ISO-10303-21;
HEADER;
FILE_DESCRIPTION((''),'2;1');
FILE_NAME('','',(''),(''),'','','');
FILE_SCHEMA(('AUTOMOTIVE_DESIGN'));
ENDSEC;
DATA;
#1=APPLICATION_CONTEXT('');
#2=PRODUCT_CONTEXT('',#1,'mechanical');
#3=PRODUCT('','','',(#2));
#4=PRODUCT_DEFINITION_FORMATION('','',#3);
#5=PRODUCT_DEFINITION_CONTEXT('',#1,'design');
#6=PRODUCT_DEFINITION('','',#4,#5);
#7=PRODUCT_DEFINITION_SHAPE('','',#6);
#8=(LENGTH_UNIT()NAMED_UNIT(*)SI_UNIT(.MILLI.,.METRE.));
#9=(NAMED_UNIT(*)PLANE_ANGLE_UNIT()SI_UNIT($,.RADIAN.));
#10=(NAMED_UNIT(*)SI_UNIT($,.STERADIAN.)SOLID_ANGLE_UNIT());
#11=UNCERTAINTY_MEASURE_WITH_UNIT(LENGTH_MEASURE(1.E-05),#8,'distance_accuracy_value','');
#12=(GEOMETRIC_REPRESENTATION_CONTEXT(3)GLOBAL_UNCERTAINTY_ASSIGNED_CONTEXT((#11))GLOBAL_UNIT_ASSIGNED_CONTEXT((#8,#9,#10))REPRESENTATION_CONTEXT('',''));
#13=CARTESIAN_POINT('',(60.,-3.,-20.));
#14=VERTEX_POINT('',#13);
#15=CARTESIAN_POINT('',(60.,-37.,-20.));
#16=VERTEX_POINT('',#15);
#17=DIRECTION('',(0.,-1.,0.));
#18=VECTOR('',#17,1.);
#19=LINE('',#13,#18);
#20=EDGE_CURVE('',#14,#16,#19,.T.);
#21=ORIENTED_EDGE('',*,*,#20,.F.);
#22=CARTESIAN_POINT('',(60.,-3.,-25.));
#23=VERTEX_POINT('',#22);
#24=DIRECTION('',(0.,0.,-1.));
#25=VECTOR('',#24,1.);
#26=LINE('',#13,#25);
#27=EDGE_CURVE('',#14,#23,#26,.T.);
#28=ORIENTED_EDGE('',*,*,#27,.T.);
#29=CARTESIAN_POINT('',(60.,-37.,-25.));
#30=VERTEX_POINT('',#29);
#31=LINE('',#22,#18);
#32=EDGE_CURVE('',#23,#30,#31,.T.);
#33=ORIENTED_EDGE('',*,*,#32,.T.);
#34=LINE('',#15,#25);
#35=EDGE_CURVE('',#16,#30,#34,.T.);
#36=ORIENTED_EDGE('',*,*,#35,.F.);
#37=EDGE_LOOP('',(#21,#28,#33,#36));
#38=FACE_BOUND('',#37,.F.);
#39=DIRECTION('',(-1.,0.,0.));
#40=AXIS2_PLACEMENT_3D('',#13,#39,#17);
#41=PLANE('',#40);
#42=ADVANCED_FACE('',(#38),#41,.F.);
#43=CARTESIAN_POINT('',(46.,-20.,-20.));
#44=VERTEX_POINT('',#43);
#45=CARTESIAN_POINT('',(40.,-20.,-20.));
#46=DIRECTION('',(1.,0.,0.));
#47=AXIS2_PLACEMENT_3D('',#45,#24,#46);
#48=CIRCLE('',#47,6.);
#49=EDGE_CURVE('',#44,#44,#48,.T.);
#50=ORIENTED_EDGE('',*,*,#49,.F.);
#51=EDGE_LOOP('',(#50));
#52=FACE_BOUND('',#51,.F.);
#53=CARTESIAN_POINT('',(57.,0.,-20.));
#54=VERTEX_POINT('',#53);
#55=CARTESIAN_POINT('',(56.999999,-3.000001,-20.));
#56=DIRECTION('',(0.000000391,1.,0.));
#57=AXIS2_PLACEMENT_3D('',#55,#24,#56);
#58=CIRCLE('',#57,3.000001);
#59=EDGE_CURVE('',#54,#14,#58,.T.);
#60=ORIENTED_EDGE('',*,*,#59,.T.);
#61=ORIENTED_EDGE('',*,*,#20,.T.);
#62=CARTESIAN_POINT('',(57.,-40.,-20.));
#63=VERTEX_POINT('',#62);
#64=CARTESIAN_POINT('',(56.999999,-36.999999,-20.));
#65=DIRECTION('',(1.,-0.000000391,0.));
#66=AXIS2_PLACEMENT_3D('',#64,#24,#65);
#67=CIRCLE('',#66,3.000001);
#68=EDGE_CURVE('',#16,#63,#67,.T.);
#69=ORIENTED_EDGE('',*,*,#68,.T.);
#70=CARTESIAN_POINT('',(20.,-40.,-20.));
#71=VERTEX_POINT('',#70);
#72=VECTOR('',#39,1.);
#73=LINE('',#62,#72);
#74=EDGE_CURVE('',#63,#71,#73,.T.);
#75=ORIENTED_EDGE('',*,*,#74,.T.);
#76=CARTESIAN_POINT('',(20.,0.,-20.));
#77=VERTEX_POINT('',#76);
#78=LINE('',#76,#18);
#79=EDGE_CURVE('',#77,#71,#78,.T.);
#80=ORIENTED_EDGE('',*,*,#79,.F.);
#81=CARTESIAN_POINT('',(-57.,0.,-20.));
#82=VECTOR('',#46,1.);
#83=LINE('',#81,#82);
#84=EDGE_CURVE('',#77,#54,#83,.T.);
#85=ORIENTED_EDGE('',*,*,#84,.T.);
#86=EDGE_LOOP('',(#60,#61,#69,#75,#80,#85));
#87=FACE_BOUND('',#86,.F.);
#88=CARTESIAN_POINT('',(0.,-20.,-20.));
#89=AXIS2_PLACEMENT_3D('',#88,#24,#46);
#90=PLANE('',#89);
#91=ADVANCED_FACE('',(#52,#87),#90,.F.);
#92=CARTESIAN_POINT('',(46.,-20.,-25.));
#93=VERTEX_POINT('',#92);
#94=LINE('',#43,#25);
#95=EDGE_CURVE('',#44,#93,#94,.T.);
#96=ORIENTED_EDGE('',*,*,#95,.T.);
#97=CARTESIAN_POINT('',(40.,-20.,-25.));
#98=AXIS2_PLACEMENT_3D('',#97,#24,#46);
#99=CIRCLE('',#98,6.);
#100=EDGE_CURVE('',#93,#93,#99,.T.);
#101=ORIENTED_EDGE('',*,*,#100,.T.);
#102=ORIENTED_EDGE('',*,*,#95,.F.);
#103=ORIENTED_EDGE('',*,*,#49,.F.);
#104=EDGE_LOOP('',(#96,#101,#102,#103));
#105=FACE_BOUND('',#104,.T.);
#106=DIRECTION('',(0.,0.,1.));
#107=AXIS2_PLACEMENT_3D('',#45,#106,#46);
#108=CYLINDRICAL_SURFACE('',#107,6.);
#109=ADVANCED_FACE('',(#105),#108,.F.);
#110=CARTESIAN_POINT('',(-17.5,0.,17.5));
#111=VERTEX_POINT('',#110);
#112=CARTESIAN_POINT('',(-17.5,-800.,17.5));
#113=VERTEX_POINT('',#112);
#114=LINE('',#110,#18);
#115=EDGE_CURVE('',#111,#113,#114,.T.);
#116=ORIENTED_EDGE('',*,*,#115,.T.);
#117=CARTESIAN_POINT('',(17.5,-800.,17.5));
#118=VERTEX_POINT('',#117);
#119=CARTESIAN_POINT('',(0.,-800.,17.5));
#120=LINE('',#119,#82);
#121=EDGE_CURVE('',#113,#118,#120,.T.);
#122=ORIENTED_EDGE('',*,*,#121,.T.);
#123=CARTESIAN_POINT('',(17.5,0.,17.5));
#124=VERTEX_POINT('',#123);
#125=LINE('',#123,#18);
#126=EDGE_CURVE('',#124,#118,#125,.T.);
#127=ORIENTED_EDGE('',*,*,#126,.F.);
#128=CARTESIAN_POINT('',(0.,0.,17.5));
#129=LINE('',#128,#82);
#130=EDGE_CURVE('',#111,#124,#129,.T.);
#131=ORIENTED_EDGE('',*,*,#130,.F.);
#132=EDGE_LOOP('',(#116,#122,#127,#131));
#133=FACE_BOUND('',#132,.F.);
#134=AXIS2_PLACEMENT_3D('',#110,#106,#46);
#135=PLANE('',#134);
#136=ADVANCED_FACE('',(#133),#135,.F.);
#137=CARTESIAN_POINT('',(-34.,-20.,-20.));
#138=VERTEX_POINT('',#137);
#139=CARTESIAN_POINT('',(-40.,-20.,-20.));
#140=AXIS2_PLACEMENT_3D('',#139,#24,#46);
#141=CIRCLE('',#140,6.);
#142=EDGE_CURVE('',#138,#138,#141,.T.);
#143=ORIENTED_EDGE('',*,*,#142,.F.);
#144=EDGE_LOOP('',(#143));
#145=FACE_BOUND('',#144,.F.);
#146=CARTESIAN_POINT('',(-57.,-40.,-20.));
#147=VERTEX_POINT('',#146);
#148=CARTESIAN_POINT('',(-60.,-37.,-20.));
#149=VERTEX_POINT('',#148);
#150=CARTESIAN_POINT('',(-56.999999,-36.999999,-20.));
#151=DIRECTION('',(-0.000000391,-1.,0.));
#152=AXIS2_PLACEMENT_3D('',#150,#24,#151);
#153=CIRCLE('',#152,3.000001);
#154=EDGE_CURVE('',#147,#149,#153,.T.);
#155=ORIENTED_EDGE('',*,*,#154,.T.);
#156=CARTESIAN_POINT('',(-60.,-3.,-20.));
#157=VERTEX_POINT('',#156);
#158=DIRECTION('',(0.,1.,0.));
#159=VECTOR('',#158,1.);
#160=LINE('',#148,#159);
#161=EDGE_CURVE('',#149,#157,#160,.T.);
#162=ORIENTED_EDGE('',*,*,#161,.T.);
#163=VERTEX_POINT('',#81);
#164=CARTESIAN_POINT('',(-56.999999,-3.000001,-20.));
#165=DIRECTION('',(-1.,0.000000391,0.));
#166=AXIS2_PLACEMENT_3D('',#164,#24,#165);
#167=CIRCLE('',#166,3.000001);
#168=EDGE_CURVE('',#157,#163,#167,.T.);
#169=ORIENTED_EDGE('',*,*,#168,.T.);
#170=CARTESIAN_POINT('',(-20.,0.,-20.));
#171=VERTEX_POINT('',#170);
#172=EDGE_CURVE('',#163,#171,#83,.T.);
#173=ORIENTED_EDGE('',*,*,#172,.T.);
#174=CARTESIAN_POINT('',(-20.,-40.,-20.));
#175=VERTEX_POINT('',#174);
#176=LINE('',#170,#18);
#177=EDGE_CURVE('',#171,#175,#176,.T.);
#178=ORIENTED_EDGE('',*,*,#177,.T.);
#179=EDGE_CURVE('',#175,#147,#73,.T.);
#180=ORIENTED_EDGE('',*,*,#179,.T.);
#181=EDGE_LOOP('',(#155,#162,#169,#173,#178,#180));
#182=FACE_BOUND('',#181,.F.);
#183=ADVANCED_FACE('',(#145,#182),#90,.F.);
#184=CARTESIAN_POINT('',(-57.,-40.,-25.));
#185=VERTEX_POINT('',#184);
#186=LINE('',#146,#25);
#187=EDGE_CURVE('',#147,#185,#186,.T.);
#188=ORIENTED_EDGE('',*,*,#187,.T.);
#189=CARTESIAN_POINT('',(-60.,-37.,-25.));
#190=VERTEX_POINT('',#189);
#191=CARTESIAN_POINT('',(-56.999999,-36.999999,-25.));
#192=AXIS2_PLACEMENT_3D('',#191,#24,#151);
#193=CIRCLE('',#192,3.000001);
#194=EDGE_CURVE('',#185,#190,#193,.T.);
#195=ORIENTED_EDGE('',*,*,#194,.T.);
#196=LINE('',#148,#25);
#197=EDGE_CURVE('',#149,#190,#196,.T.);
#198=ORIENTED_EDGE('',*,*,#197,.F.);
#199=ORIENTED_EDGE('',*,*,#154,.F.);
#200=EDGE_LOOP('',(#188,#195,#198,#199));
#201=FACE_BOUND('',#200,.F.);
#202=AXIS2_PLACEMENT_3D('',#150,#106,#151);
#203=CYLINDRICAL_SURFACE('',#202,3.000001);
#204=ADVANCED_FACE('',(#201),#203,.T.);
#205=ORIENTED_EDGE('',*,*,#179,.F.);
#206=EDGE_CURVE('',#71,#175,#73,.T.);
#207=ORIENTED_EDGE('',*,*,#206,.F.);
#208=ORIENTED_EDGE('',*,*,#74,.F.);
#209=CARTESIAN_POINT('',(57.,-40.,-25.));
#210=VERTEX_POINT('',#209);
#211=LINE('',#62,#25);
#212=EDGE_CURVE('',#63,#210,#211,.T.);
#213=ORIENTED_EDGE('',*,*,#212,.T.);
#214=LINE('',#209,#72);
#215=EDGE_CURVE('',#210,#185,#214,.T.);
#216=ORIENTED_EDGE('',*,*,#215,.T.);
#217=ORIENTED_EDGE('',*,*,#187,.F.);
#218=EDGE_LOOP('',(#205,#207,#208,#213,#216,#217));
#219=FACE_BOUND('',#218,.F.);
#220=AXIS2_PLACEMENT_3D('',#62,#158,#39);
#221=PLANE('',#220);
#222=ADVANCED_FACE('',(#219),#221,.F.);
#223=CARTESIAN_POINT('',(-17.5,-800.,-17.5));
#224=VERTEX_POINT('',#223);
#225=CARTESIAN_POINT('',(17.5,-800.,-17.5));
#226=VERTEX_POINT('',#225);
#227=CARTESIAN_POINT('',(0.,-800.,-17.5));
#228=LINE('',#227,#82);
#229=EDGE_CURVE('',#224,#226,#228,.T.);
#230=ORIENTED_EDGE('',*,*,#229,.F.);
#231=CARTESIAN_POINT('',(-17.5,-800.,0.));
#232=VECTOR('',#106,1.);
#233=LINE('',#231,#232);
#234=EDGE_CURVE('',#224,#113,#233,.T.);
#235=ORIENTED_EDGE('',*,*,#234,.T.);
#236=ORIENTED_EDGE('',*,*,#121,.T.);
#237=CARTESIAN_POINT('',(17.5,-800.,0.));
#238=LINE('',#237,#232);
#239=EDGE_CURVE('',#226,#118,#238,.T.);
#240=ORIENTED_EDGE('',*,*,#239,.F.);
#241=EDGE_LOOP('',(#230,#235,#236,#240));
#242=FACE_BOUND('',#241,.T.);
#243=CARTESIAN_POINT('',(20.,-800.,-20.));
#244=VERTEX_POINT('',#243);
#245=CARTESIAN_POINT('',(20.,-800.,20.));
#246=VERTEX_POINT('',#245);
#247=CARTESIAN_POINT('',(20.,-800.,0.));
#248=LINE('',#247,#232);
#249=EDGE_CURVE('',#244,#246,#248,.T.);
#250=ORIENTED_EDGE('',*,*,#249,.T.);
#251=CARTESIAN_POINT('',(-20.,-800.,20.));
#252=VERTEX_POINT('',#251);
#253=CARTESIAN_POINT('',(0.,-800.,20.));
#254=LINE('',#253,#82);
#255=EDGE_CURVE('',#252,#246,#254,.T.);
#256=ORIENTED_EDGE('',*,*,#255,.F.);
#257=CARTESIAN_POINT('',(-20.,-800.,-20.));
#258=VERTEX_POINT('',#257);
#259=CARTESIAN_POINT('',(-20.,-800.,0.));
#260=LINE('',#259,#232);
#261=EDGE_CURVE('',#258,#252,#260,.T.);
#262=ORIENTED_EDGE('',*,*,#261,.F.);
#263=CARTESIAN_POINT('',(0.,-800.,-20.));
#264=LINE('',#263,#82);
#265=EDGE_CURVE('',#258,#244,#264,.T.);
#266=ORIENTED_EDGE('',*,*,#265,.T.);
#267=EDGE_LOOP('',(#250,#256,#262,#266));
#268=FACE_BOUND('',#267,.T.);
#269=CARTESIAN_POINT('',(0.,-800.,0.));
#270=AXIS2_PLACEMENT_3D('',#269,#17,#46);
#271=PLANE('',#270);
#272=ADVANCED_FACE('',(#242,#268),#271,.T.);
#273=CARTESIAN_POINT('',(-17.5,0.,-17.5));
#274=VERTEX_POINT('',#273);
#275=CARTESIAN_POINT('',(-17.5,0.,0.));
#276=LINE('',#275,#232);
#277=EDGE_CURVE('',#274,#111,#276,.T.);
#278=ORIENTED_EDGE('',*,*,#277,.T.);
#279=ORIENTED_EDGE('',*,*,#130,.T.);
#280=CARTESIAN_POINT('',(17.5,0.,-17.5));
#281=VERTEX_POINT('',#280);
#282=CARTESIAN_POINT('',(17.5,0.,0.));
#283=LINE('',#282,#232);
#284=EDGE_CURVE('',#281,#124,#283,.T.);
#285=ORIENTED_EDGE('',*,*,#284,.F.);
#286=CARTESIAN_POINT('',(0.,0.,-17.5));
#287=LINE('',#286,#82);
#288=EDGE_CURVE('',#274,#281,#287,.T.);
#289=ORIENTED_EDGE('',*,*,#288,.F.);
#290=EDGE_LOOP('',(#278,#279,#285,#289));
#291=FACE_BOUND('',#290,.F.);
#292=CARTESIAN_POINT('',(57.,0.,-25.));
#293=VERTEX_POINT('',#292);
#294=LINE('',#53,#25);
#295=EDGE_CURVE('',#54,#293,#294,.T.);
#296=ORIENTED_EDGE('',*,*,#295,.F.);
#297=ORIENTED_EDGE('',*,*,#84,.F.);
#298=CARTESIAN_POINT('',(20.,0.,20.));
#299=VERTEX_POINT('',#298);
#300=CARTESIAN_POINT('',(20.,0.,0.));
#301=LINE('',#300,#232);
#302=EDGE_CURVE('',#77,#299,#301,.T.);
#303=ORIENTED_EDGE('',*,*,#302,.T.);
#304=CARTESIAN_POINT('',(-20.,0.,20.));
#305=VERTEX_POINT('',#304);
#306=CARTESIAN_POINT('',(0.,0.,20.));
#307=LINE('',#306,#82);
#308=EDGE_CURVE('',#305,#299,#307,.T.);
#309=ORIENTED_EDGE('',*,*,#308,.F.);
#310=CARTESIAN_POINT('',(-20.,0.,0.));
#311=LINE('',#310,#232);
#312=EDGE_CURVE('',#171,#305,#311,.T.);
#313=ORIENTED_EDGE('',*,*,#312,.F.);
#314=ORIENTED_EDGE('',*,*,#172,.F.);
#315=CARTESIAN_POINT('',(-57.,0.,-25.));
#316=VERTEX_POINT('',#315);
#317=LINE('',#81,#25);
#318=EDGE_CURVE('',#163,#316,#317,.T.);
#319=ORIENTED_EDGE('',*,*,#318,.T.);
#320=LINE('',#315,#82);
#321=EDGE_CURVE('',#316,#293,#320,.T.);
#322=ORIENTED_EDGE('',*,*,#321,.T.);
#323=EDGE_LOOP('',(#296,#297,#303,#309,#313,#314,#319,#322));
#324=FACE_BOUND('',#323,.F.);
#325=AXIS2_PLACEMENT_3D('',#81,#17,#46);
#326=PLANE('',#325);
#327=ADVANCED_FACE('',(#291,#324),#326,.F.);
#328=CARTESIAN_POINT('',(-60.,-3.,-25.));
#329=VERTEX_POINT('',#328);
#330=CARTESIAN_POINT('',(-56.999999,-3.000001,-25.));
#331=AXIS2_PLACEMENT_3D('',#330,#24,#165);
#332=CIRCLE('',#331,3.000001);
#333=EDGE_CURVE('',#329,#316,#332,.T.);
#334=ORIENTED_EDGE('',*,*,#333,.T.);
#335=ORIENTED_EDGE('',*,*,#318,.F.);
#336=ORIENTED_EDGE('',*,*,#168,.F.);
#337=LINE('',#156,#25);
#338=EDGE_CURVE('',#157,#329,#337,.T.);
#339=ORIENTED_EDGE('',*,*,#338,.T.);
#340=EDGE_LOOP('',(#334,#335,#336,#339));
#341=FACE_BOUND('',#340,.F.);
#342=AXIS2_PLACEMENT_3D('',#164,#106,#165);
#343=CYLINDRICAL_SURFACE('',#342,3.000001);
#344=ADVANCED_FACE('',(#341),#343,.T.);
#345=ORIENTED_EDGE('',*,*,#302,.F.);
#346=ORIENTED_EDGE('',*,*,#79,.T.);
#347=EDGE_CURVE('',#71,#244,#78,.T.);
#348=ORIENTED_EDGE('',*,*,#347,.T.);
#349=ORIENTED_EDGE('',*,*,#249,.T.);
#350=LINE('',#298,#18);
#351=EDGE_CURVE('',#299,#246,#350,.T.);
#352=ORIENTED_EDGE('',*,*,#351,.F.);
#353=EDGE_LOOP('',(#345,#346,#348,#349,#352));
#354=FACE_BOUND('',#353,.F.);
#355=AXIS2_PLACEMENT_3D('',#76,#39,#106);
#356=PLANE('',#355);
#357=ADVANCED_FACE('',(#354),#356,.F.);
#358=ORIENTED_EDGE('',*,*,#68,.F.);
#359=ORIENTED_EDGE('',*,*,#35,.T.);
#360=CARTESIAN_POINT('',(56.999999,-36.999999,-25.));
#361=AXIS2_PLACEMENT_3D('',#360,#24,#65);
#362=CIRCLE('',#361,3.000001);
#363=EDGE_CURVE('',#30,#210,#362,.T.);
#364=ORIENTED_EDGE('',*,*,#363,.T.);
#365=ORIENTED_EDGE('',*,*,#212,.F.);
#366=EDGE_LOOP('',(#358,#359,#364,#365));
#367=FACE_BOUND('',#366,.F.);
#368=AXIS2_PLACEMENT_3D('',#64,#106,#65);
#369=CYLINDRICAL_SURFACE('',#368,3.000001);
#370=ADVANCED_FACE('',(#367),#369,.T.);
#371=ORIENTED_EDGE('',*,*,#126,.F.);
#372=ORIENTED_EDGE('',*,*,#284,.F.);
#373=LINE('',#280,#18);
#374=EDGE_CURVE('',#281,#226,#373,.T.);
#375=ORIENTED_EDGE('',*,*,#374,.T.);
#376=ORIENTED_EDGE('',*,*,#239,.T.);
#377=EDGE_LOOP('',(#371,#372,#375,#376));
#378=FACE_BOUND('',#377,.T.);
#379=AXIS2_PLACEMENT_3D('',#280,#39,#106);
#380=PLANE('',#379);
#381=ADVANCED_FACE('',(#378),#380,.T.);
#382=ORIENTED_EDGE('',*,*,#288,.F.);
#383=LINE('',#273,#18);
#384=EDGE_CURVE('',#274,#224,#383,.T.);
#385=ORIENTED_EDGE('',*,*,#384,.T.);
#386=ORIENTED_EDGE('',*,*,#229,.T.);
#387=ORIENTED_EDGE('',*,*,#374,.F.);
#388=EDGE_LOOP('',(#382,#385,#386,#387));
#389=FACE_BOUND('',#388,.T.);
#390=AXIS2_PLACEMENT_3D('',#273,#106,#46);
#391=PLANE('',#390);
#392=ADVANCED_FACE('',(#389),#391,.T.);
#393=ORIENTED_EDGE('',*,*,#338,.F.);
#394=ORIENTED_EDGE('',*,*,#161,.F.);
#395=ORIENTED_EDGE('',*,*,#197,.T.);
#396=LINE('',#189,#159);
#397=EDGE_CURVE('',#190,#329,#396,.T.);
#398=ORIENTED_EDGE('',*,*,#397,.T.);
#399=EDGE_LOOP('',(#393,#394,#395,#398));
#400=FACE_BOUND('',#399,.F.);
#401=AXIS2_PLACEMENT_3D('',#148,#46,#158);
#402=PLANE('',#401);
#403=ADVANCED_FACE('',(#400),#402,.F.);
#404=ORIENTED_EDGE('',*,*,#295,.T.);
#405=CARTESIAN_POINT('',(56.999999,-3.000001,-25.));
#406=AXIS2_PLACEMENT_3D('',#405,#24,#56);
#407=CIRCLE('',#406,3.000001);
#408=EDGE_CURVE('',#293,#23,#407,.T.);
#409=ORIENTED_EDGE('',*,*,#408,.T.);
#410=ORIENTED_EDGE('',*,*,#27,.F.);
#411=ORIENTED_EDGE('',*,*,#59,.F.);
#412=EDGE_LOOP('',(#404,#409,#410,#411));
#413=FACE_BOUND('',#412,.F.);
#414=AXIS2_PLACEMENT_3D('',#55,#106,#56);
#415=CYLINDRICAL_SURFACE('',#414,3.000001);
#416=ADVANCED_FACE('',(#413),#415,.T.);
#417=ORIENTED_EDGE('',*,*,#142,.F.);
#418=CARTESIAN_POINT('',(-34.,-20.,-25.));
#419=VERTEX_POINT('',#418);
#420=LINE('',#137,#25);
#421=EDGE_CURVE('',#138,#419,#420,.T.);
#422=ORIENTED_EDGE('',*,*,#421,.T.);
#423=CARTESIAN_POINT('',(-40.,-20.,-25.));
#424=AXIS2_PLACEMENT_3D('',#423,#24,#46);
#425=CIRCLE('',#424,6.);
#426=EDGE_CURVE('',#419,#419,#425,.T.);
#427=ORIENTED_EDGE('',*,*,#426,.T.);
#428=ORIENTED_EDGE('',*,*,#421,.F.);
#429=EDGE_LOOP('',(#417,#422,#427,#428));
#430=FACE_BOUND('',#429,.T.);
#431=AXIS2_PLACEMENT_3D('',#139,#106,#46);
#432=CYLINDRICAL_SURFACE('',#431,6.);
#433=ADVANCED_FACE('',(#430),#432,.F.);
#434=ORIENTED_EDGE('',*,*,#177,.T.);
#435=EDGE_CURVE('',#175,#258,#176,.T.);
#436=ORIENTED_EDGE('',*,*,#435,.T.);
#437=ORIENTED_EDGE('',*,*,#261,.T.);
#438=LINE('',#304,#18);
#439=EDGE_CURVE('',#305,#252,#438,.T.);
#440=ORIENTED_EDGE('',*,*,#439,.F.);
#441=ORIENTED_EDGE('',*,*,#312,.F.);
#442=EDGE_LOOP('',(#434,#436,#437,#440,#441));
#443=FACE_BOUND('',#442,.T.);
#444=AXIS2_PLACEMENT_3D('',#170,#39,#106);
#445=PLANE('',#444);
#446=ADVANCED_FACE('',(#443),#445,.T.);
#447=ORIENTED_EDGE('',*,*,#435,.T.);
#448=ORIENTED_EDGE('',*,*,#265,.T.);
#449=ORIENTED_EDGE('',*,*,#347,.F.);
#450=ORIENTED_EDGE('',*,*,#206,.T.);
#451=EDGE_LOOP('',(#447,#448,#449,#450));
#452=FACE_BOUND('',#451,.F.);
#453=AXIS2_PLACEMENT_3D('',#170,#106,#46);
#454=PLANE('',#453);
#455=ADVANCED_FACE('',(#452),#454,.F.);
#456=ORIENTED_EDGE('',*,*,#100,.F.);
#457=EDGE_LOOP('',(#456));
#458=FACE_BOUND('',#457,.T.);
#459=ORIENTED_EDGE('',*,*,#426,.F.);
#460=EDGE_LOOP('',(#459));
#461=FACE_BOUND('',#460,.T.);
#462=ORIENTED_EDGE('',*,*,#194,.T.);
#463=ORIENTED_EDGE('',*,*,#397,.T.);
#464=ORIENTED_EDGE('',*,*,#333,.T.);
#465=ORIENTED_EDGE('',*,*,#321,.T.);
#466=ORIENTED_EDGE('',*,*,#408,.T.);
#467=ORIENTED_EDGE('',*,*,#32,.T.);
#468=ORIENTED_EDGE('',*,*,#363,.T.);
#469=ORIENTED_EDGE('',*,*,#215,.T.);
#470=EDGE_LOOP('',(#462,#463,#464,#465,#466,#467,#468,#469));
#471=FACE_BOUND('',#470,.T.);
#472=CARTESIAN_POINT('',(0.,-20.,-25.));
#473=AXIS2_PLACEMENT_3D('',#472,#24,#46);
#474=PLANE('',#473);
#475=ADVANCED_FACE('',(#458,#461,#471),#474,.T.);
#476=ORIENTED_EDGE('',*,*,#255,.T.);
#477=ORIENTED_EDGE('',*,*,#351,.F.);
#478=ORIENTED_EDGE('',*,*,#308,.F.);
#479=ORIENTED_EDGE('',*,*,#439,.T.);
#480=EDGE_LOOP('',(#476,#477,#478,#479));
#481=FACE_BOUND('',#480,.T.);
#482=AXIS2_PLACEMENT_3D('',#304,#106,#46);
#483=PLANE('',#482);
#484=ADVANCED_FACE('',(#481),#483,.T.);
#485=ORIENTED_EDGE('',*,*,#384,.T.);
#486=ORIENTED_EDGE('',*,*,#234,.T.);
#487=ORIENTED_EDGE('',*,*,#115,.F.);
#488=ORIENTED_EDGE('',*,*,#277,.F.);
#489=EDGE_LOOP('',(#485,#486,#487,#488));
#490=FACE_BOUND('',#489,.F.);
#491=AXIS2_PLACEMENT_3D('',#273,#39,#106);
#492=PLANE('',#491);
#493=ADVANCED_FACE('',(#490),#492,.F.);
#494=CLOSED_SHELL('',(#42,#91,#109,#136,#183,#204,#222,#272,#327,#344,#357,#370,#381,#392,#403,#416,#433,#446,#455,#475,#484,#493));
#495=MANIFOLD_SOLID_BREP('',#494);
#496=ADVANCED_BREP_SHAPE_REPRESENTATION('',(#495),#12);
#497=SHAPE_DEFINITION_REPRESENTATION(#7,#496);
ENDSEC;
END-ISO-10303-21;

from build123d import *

# Parameters (mm, degrees)
F0_W     = 40
F0_H     = 40
F0_W_2   = 35
F0_H_2   = 35
F1_DEPTH = 800
F2_R     = 6
F3_DEPTH = 5


with BuildPart() as f1:
    # F0 (on Front) → F1 (new body)
    with BuildSketch(Plane.XZ):
        Rectangle(F0_W, F0_H)
        Rectangle(F0_W_2, F0_H_2, mode=Mode.SUBTRACT)
    extrude(amount=F1_DEPTH)

    # F2 (on face) → F3 (join)
    with BuildSketch(Plane(origin=(0, 0, -20), x_dir=(1, 0, 0), z_dir=(0, 0, -1))):
        with BuildLine():
            ThreePointArc((-60, 3), (-59.12132, 0.87868), (-57, 0))
            Line((-57, 0), (57, 0))
            ThreePointArc((57, 0), (59.12132, 0.87868), (60, 3))
            Line((60, 3), (60, 37))
            ThreePointArc((60, 37), (59.12132, 39.12132), (57, 40))
            Line((57, 40), (-57, 40))
            ThreePointArc((-57, 40), (-59.12132, 39.12132), (-60, 37))
            Line((-60, 37), (-60, 3))
        make_face()
        with Locations((-40, 20)):
            Circle(F2_R, mode=Mode.SUBTRACT)
        with Locations((40, 20)):
            Circle(F2_R, mode=Mode.SUBTRACT)
    extrude(amount=F3_DEPTH)


solid = f1.part
